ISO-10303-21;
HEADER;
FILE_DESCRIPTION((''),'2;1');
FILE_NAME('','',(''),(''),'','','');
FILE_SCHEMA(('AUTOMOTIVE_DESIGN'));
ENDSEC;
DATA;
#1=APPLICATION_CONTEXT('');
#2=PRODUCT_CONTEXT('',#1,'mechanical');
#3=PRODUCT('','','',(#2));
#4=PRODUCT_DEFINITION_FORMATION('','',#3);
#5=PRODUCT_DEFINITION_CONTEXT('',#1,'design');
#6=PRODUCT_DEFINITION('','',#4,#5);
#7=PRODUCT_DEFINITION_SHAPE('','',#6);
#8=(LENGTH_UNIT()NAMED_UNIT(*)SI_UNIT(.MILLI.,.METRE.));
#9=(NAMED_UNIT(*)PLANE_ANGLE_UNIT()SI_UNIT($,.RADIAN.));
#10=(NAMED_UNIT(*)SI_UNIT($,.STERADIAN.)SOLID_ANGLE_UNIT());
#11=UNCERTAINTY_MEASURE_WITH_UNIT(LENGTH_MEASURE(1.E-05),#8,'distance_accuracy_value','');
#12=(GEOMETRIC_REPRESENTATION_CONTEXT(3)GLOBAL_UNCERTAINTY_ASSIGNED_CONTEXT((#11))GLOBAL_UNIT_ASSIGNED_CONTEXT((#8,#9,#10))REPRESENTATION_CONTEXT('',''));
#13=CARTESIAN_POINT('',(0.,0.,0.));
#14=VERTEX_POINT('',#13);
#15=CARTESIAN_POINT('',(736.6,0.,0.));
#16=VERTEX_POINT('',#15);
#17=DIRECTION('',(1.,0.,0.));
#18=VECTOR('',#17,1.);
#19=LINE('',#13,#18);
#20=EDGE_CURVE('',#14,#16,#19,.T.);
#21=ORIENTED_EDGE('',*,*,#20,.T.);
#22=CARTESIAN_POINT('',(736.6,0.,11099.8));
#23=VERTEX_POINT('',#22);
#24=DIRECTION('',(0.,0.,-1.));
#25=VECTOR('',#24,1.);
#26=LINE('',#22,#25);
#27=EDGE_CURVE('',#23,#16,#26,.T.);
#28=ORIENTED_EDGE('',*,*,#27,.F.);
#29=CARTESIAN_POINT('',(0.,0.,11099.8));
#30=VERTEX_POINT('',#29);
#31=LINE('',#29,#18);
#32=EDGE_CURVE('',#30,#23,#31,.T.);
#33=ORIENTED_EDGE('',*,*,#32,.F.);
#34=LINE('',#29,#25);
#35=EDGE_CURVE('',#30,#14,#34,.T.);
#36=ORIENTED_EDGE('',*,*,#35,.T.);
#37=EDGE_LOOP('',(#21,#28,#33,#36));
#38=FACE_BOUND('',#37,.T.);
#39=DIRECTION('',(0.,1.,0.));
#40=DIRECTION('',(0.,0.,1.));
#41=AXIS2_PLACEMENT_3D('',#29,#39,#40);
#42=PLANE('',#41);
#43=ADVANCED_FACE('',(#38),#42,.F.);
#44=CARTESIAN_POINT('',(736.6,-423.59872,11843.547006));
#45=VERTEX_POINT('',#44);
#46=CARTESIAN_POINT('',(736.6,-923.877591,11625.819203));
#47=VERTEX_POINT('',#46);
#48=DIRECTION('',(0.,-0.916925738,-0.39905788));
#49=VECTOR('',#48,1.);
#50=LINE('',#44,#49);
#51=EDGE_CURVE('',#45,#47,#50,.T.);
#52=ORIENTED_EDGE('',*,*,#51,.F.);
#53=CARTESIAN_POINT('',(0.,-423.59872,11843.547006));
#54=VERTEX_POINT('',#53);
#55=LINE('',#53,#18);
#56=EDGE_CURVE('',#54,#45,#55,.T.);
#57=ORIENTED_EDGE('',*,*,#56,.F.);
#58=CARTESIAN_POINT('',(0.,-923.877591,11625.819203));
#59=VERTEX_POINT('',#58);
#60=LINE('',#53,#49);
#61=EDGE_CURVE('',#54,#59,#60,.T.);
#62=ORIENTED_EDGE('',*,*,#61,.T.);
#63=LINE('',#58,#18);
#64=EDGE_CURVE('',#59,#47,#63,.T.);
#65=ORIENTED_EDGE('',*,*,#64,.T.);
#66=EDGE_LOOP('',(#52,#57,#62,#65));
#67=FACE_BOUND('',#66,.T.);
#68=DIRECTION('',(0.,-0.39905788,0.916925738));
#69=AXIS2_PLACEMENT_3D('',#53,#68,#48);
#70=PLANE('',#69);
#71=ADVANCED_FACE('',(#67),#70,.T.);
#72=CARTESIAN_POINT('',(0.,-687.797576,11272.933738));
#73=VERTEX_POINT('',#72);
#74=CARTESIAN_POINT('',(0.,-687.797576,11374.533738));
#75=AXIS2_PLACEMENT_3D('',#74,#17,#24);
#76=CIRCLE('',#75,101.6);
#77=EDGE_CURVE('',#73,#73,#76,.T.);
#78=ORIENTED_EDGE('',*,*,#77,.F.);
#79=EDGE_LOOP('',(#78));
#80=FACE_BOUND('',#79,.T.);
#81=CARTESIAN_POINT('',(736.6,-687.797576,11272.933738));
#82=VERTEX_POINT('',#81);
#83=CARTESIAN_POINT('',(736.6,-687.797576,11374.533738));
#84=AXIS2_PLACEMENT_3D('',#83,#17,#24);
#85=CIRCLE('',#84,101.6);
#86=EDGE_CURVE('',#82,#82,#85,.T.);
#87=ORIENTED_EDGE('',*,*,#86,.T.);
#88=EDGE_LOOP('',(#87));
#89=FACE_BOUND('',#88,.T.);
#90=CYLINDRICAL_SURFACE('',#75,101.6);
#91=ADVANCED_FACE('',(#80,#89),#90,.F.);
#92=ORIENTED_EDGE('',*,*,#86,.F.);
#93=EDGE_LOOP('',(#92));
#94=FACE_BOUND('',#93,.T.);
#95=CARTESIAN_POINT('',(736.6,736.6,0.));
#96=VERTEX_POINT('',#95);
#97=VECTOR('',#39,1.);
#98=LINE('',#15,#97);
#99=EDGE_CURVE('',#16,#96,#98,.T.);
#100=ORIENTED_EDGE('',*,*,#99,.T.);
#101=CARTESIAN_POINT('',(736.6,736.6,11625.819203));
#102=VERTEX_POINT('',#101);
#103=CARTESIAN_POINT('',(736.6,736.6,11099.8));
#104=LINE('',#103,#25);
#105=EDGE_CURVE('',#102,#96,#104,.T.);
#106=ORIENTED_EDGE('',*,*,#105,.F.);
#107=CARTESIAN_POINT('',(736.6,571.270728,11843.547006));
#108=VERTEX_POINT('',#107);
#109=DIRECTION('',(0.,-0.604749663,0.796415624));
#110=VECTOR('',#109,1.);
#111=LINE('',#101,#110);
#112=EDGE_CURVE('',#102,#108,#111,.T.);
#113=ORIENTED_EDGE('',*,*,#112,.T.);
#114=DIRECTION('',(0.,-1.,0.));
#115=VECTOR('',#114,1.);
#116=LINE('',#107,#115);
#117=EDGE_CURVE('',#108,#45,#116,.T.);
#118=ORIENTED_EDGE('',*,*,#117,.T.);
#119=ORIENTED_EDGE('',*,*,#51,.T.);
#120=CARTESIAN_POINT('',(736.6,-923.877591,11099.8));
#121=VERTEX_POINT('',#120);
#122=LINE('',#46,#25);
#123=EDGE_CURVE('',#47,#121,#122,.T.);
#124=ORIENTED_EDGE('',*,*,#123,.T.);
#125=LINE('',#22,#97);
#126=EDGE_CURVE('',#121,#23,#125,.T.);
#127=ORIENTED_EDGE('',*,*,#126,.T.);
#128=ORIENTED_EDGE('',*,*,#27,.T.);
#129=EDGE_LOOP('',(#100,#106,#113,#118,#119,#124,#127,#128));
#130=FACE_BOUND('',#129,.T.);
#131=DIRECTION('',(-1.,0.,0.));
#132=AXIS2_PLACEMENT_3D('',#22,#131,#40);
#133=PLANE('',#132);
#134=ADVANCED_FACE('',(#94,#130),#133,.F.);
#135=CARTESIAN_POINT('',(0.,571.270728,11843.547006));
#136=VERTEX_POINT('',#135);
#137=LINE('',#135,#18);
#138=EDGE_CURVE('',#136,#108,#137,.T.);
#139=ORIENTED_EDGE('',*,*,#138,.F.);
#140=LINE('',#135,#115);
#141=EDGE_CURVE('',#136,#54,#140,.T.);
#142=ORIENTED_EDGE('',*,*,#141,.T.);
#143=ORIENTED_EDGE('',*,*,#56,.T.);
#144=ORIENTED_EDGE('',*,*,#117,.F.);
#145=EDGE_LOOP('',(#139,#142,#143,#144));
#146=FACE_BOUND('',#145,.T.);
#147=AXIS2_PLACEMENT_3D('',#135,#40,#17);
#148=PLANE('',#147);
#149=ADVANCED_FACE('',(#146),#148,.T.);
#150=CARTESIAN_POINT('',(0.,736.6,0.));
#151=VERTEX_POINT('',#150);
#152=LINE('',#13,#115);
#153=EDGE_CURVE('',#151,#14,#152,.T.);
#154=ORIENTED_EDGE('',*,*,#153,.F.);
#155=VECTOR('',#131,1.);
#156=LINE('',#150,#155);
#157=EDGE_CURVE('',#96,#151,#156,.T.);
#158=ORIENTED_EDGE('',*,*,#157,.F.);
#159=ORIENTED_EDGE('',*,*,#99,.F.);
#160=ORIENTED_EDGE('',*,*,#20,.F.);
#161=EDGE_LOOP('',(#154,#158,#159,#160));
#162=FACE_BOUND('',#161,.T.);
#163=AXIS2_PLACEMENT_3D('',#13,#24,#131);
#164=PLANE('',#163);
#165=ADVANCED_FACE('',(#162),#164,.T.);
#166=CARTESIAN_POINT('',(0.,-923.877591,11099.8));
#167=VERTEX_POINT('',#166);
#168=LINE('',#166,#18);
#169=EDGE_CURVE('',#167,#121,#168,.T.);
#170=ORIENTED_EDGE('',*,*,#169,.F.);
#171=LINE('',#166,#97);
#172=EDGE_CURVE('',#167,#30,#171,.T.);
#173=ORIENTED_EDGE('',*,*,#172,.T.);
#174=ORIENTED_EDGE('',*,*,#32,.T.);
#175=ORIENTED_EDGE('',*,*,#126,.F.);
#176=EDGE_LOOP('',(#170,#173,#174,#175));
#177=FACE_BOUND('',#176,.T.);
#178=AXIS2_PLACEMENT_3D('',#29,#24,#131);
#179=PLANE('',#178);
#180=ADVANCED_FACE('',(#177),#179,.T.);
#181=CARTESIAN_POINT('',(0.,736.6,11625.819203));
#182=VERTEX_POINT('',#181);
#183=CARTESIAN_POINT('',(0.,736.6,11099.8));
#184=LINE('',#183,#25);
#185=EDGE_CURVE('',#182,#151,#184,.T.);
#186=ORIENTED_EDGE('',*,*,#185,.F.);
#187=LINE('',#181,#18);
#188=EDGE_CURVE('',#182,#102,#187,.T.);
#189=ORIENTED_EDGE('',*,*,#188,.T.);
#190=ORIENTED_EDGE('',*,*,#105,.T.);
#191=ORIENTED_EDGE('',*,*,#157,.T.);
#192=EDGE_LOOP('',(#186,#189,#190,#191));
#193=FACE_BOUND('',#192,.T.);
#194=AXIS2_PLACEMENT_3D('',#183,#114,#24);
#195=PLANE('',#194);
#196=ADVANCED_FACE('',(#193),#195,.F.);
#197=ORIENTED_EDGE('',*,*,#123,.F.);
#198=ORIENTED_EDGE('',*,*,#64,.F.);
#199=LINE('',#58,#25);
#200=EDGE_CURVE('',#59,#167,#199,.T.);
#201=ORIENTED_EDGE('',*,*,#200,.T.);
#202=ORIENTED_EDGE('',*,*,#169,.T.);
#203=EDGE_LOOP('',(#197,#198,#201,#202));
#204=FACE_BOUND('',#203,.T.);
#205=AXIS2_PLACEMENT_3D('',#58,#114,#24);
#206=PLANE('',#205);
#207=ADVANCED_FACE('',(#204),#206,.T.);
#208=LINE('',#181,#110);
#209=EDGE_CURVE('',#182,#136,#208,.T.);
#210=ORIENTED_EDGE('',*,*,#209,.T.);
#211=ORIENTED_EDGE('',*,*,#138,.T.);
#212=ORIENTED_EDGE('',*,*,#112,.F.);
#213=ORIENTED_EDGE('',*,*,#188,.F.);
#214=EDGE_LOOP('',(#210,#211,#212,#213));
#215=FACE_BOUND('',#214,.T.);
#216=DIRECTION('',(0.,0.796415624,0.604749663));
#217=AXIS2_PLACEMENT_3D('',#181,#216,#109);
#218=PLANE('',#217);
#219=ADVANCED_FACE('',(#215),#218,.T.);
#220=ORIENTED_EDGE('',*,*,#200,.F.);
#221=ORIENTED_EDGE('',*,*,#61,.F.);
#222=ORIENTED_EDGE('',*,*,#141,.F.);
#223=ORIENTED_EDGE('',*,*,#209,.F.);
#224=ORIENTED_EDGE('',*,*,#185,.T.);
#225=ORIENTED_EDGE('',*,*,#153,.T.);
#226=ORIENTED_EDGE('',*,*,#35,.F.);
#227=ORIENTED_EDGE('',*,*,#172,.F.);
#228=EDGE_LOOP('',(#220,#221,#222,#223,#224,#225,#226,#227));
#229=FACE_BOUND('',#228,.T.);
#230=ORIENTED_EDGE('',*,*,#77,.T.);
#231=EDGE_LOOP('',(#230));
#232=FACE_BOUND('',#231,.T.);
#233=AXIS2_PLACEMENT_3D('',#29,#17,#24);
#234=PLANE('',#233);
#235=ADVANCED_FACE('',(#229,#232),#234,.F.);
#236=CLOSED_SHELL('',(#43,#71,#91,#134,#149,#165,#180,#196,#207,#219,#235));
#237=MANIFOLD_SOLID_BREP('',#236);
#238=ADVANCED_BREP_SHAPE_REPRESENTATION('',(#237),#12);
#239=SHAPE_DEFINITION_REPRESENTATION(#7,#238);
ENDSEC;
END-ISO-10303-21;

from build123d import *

# Parameters (mm, degrees)
SKETCH2_W           = 736.6
SKETCH2_H           = 736.6
BOSS_EXTRUDE1_DEPTH = 11099.8
SKETCH3_R           = 101.6
BOSS_EXTRUDE2_DEPTH = 736.6


with BuildPart() as part:
    # Sketch2 → Boss-Extrude1 (new body)
    with BuildSketch(Plane.XY):
        with Locations((368.3, 368.3)):
            Rectangle(SKETCH2_W, SKETCH2_H)
    extrude(amount=BOSS_EXTRUDE1_DEPTH)

    # Sketch3 → Boss-Extrude2 (add)
    with BuildSketch(Plane(origin=(736.6, 0, 0), x_dir=(0, 0, -1), z_dir=(1, 0, 0))):
        Polygon((-11099.8, 736.6), (-11625.819203205, 736.6), (-11843.547005601, 571.270728239), (-11843.547005601, -423.59872011), (-11625.819203205, -923.877591133), (-11099.8, -923.877591133), (-11099.8, 0), align=None)
        with Locations((-11374.533737558, -687.797576453)):
            Circle(SKETCH3_R, mode=Mode.SUBTRACT)
    extrude(amount=-BOSS_EXTRUDE2_DEPTH)


solid = part.part
